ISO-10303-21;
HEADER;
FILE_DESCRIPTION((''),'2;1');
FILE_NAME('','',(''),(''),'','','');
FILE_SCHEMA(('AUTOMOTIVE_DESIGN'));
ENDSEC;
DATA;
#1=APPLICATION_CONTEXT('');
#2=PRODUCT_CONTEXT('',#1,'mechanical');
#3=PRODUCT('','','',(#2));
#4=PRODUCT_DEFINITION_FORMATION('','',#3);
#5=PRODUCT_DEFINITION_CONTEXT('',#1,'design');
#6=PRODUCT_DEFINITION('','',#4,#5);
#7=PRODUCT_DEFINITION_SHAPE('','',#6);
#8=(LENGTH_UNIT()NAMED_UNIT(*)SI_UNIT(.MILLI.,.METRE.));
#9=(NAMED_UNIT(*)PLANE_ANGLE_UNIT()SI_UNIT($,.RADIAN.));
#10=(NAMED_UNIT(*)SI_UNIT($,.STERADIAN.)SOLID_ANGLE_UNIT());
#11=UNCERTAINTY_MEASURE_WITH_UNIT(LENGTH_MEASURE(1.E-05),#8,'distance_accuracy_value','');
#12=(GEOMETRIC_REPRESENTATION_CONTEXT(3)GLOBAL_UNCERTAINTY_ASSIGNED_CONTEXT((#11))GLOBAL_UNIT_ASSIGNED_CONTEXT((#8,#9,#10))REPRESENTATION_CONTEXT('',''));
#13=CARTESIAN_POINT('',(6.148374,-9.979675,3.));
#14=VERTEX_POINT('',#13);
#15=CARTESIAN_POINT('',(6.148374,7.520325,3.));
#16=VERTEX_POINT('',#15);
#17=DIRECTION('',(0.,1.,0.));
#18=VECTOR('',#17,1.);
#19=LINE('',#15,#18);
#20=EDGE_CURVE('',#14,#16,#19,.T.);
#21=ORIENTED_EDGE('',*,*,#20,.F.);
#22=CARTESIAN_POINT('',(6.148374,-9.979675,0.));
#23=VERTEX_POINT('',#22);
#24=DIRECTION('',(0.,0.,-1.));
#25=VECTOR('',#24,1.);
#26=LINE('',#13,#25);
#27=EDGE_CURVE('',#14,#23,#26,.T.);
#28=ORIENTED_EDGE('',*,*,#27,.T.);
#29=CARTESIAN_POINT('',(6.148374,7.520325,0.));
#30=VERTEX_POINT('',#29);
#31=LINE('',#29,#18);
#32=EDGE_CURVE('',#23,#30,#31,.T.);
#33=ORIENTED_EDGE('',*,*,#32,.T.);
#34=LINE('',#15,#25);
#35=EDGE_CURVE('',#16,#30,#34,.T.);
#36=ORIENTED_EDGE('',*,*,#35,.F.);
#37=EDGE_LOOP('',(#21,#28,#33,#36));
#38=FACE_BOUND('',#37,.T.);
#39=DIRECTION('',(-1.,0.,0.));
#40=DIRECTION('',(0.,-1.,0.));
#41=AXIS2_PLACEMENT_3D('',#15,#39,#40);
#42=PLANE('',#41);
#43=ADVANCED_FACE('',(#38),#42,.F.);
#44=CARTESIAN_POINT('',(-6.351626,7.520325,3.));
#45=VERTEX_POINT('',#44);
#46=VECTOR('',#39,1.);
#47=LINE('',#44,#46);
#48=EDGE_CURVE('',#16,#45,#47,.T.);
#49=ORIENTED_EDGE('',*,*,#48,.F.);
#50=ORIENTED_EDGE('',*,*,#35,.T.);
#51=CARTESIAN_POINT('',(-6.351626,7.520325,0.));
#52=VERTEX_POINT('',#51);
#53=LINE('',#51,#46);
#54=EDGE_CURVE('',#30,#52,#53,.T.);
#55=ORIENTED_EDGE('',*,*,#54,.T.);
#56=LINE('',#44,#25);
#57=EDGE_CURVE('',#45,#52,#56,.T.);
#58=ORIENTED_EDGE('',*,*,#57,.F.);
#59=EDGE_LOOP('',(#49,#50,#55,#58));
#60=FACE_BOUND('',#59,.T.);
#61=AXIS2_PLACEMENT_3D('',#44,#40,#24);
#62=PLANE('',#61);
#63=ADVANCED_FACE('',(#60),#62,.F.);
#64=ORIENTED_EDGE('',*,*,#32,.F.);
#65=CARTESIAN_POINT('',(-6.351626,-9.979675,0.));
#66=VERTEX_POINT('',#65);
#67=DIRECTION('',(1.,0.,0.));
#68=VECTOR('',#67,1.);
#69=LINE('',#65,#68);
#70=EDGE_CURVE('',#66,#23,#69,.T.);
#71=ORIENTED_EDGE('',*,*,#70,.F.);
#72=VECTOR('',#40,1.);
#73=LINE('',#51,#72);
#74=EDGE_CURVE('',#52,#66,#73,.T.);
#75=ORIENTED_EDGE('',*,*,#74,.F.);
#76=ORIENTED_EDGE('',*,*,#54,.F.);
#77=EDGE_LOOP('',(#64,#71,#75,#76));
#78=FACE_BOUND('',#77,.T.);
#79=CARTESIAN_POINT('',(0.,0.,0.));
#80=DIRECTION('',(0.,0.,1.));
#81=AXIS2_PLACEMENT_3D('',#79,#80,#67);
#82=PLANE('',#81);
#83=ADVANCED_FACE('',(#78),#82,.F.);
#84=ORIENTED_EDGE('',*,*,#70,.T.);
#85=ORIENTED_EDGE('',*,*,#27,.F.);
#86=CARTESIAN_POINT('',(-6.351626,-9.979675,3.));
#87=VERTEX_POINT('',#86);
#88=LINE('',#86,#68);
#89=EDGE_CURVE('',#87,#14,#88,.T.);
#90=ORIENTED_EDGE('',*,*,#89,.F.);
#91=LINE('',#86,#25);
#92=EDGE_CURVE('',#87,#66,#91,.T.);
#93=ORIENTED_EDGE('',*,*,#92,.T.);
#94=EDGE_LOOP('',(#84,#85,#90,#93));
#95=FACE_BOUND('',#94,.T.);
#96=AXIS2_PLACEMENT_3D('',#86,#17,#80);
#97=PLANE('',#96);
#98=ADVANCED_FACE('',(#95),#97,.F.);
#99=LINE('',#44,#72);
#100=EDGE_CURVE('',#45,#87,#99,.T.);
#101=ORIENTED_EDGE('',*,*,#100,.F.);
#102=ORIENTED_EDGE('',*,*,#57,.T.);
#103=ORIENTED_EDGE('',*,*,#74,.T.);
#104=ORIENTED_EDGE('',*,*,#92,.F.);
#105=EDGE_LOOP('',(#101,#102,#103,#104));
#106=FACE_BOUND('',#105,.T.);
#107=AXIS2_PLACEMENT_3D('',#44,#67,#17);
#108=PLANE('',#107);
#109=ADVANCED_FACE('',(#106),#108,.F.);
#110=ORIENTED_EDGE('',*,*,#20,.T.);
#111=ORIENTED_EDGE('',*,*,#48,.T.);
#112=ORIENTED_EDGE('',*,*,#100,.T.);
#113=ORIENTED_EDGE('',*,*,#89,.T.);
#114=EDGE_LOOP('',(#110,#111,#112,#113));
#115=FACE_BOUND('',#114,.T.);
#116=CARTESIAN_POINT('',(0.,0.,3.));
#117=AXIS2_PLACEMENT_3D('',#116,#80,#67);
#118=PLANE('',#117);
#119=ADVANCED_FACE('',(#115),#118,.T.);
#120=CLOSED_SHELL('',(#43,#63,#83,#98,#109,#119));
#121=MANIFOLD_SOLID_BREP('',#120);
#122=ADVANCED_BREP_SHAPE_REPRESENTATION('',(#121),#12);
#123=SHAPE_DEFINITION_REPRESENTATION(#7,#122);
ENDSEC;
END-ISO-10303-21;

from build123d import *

# Parameters (mm, degrees)
SKETCH_1_W      = 12.5
SKETCH_1_H      = 17.5
EXTRUDE_1_DEPTH = 3


with BuildPart() as part:
    # 草图1 → 凸台-拉伸1 (new body)
    with BuildSketch(Plane.XY):
        with Locations((-0.101626016, -1.229674797)):
            Rectangle(SKETCH_1_W, SKETCH_1_H)
    extrude(amount=EXTRUDE_1_DEPTH)


solid = part.part
